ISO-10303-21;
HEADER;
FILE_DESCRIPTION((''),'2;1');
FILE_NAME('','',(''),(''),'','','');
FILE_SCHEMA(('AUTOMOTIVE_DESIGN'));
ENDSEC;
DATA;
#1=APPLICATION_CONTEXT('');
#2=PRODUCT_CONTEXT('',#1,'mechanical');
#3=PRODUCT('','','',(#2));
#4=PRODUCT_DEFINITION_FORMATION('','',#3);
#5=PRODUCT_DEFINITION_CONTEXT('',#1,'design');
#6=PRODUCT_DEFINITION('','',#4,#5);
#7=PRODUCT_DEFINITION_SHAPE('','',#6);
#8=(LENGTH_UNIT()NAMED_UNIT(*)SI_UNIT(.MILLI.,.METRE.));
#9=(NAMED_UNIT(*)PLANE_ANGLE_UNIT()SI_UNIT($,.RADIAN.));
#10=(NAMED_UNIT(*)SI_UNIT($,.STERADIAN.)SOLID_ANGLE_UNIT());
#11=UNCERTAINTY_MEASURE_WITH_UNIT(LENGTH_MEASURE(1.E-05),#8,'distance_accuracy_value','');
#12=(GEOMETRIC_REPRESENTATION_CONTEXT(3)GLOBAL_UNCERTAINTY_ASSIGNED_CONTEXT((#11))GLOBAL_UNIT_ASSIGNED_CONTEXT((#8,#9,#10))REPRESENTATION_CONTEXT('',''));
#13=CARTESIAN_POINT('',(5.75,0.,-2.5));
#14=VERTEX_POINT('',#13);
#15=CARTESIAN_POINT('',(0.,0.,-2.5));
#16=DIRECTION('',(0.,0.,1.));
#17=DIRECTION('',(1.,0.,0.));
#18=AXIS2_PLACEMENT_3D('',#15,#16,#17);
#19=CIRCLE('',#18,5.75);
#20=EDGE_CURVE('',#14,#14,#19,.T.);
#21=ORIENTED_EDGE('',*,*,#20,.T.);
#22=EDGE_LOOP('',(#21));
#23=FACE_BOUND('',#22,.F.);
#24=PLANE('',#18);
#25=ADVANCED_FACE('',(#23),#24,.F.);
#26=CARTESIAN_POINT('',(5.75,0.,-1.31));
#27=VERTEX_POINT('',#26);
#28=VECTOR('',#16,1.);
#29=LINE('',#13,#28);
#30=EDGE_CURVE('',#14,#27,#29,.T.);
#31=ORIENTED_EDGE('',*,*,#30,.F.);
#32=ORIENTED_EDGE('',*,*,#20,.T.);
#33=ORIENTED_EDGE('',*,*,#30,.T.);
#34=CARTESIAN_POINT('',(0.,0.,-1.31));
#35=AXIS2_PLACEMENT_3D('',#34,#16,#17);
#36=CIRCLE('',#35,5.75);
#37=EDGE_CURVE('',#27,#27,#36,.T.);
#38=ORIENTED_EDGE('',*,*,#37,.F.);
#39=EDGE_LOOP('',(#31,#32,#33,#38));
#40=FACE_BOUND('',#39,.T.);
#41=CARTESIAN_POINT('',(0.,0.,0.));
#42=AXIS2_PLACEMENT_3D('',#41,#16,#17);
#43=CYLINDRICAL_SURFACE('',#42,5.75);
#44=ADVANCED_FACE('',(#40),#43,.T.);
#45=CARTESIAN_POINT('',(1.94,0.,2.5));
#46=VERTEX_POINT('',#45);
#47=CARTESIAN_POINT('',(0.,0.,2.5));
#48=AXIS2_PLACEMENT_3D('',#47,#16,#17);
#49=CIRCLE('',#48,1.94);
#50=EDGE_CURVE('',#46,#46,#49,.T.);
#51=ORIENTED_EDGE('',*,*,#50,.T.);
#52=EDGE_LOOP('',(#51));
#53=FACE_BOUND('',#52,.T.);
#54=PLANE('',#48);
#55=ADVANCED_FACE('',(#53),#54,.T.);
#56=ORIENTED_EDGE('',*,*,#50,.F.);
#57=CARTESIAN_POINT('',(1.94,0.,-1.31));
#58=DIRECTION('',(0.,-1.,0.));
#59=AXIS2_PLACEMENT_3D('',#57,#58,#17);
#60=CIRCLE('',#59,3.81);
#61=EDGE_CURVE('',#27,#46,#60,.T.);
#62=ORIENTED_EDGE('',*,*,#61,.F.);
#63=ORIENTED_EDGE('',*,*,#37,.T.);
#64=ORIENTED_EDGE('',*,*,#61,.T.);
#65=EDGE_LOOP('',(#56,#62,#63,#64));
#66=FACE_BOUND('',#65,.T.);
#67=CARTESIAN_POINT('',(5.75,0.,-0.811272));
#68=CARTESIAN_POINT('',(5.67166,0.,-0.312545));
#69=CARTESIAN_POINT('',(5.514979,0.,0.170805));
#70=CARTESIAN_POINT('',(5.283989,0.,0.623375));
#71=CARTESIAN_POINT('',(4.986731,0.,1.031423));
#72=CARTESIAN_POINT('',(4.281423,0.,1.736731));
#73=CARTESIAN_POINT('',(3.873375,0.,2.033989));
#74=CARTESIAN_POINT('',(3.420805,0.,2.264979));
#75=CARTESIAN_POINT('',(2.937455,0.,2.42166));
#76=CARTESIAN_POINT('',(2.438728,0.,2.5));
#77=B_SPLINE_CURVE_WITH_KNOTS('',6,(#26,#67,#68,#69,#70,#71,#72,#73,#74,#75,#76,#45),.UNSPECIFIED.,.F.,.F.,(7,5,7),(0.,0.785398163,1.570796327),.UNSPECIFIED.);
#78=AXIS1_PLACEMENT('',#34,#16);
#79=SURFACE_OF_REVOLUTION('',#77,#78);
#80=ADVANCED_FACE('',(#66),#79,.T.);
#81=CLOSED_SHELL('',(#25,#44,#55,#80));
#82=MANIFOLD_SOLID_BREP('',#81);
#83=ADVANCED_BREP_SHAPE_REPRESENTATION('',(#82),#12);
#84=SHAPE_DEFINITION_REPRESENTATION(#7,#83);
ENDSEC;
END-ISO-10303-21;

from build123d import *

# Parameters (mm, degrees)
F0_R     = 5.75
F1_DEPTH = 2.5
F2_R     = 3.81


with BuildPart() as f1:
    # F0 (on Top) → F1 (new body, symmetric)
    with BuildSketch(Plane.XY):
        Circle(F0_R)
    extrude(amount=F1_DEPTH, both=True)

    # F2
    f2_edges = [f1.edges().sort_by_distance(p)[0] for p in [
        (-5.75, 0, 2.5),
    ]]
    fillet(f2_edges, radius=F2_R)


solid = f1.part
